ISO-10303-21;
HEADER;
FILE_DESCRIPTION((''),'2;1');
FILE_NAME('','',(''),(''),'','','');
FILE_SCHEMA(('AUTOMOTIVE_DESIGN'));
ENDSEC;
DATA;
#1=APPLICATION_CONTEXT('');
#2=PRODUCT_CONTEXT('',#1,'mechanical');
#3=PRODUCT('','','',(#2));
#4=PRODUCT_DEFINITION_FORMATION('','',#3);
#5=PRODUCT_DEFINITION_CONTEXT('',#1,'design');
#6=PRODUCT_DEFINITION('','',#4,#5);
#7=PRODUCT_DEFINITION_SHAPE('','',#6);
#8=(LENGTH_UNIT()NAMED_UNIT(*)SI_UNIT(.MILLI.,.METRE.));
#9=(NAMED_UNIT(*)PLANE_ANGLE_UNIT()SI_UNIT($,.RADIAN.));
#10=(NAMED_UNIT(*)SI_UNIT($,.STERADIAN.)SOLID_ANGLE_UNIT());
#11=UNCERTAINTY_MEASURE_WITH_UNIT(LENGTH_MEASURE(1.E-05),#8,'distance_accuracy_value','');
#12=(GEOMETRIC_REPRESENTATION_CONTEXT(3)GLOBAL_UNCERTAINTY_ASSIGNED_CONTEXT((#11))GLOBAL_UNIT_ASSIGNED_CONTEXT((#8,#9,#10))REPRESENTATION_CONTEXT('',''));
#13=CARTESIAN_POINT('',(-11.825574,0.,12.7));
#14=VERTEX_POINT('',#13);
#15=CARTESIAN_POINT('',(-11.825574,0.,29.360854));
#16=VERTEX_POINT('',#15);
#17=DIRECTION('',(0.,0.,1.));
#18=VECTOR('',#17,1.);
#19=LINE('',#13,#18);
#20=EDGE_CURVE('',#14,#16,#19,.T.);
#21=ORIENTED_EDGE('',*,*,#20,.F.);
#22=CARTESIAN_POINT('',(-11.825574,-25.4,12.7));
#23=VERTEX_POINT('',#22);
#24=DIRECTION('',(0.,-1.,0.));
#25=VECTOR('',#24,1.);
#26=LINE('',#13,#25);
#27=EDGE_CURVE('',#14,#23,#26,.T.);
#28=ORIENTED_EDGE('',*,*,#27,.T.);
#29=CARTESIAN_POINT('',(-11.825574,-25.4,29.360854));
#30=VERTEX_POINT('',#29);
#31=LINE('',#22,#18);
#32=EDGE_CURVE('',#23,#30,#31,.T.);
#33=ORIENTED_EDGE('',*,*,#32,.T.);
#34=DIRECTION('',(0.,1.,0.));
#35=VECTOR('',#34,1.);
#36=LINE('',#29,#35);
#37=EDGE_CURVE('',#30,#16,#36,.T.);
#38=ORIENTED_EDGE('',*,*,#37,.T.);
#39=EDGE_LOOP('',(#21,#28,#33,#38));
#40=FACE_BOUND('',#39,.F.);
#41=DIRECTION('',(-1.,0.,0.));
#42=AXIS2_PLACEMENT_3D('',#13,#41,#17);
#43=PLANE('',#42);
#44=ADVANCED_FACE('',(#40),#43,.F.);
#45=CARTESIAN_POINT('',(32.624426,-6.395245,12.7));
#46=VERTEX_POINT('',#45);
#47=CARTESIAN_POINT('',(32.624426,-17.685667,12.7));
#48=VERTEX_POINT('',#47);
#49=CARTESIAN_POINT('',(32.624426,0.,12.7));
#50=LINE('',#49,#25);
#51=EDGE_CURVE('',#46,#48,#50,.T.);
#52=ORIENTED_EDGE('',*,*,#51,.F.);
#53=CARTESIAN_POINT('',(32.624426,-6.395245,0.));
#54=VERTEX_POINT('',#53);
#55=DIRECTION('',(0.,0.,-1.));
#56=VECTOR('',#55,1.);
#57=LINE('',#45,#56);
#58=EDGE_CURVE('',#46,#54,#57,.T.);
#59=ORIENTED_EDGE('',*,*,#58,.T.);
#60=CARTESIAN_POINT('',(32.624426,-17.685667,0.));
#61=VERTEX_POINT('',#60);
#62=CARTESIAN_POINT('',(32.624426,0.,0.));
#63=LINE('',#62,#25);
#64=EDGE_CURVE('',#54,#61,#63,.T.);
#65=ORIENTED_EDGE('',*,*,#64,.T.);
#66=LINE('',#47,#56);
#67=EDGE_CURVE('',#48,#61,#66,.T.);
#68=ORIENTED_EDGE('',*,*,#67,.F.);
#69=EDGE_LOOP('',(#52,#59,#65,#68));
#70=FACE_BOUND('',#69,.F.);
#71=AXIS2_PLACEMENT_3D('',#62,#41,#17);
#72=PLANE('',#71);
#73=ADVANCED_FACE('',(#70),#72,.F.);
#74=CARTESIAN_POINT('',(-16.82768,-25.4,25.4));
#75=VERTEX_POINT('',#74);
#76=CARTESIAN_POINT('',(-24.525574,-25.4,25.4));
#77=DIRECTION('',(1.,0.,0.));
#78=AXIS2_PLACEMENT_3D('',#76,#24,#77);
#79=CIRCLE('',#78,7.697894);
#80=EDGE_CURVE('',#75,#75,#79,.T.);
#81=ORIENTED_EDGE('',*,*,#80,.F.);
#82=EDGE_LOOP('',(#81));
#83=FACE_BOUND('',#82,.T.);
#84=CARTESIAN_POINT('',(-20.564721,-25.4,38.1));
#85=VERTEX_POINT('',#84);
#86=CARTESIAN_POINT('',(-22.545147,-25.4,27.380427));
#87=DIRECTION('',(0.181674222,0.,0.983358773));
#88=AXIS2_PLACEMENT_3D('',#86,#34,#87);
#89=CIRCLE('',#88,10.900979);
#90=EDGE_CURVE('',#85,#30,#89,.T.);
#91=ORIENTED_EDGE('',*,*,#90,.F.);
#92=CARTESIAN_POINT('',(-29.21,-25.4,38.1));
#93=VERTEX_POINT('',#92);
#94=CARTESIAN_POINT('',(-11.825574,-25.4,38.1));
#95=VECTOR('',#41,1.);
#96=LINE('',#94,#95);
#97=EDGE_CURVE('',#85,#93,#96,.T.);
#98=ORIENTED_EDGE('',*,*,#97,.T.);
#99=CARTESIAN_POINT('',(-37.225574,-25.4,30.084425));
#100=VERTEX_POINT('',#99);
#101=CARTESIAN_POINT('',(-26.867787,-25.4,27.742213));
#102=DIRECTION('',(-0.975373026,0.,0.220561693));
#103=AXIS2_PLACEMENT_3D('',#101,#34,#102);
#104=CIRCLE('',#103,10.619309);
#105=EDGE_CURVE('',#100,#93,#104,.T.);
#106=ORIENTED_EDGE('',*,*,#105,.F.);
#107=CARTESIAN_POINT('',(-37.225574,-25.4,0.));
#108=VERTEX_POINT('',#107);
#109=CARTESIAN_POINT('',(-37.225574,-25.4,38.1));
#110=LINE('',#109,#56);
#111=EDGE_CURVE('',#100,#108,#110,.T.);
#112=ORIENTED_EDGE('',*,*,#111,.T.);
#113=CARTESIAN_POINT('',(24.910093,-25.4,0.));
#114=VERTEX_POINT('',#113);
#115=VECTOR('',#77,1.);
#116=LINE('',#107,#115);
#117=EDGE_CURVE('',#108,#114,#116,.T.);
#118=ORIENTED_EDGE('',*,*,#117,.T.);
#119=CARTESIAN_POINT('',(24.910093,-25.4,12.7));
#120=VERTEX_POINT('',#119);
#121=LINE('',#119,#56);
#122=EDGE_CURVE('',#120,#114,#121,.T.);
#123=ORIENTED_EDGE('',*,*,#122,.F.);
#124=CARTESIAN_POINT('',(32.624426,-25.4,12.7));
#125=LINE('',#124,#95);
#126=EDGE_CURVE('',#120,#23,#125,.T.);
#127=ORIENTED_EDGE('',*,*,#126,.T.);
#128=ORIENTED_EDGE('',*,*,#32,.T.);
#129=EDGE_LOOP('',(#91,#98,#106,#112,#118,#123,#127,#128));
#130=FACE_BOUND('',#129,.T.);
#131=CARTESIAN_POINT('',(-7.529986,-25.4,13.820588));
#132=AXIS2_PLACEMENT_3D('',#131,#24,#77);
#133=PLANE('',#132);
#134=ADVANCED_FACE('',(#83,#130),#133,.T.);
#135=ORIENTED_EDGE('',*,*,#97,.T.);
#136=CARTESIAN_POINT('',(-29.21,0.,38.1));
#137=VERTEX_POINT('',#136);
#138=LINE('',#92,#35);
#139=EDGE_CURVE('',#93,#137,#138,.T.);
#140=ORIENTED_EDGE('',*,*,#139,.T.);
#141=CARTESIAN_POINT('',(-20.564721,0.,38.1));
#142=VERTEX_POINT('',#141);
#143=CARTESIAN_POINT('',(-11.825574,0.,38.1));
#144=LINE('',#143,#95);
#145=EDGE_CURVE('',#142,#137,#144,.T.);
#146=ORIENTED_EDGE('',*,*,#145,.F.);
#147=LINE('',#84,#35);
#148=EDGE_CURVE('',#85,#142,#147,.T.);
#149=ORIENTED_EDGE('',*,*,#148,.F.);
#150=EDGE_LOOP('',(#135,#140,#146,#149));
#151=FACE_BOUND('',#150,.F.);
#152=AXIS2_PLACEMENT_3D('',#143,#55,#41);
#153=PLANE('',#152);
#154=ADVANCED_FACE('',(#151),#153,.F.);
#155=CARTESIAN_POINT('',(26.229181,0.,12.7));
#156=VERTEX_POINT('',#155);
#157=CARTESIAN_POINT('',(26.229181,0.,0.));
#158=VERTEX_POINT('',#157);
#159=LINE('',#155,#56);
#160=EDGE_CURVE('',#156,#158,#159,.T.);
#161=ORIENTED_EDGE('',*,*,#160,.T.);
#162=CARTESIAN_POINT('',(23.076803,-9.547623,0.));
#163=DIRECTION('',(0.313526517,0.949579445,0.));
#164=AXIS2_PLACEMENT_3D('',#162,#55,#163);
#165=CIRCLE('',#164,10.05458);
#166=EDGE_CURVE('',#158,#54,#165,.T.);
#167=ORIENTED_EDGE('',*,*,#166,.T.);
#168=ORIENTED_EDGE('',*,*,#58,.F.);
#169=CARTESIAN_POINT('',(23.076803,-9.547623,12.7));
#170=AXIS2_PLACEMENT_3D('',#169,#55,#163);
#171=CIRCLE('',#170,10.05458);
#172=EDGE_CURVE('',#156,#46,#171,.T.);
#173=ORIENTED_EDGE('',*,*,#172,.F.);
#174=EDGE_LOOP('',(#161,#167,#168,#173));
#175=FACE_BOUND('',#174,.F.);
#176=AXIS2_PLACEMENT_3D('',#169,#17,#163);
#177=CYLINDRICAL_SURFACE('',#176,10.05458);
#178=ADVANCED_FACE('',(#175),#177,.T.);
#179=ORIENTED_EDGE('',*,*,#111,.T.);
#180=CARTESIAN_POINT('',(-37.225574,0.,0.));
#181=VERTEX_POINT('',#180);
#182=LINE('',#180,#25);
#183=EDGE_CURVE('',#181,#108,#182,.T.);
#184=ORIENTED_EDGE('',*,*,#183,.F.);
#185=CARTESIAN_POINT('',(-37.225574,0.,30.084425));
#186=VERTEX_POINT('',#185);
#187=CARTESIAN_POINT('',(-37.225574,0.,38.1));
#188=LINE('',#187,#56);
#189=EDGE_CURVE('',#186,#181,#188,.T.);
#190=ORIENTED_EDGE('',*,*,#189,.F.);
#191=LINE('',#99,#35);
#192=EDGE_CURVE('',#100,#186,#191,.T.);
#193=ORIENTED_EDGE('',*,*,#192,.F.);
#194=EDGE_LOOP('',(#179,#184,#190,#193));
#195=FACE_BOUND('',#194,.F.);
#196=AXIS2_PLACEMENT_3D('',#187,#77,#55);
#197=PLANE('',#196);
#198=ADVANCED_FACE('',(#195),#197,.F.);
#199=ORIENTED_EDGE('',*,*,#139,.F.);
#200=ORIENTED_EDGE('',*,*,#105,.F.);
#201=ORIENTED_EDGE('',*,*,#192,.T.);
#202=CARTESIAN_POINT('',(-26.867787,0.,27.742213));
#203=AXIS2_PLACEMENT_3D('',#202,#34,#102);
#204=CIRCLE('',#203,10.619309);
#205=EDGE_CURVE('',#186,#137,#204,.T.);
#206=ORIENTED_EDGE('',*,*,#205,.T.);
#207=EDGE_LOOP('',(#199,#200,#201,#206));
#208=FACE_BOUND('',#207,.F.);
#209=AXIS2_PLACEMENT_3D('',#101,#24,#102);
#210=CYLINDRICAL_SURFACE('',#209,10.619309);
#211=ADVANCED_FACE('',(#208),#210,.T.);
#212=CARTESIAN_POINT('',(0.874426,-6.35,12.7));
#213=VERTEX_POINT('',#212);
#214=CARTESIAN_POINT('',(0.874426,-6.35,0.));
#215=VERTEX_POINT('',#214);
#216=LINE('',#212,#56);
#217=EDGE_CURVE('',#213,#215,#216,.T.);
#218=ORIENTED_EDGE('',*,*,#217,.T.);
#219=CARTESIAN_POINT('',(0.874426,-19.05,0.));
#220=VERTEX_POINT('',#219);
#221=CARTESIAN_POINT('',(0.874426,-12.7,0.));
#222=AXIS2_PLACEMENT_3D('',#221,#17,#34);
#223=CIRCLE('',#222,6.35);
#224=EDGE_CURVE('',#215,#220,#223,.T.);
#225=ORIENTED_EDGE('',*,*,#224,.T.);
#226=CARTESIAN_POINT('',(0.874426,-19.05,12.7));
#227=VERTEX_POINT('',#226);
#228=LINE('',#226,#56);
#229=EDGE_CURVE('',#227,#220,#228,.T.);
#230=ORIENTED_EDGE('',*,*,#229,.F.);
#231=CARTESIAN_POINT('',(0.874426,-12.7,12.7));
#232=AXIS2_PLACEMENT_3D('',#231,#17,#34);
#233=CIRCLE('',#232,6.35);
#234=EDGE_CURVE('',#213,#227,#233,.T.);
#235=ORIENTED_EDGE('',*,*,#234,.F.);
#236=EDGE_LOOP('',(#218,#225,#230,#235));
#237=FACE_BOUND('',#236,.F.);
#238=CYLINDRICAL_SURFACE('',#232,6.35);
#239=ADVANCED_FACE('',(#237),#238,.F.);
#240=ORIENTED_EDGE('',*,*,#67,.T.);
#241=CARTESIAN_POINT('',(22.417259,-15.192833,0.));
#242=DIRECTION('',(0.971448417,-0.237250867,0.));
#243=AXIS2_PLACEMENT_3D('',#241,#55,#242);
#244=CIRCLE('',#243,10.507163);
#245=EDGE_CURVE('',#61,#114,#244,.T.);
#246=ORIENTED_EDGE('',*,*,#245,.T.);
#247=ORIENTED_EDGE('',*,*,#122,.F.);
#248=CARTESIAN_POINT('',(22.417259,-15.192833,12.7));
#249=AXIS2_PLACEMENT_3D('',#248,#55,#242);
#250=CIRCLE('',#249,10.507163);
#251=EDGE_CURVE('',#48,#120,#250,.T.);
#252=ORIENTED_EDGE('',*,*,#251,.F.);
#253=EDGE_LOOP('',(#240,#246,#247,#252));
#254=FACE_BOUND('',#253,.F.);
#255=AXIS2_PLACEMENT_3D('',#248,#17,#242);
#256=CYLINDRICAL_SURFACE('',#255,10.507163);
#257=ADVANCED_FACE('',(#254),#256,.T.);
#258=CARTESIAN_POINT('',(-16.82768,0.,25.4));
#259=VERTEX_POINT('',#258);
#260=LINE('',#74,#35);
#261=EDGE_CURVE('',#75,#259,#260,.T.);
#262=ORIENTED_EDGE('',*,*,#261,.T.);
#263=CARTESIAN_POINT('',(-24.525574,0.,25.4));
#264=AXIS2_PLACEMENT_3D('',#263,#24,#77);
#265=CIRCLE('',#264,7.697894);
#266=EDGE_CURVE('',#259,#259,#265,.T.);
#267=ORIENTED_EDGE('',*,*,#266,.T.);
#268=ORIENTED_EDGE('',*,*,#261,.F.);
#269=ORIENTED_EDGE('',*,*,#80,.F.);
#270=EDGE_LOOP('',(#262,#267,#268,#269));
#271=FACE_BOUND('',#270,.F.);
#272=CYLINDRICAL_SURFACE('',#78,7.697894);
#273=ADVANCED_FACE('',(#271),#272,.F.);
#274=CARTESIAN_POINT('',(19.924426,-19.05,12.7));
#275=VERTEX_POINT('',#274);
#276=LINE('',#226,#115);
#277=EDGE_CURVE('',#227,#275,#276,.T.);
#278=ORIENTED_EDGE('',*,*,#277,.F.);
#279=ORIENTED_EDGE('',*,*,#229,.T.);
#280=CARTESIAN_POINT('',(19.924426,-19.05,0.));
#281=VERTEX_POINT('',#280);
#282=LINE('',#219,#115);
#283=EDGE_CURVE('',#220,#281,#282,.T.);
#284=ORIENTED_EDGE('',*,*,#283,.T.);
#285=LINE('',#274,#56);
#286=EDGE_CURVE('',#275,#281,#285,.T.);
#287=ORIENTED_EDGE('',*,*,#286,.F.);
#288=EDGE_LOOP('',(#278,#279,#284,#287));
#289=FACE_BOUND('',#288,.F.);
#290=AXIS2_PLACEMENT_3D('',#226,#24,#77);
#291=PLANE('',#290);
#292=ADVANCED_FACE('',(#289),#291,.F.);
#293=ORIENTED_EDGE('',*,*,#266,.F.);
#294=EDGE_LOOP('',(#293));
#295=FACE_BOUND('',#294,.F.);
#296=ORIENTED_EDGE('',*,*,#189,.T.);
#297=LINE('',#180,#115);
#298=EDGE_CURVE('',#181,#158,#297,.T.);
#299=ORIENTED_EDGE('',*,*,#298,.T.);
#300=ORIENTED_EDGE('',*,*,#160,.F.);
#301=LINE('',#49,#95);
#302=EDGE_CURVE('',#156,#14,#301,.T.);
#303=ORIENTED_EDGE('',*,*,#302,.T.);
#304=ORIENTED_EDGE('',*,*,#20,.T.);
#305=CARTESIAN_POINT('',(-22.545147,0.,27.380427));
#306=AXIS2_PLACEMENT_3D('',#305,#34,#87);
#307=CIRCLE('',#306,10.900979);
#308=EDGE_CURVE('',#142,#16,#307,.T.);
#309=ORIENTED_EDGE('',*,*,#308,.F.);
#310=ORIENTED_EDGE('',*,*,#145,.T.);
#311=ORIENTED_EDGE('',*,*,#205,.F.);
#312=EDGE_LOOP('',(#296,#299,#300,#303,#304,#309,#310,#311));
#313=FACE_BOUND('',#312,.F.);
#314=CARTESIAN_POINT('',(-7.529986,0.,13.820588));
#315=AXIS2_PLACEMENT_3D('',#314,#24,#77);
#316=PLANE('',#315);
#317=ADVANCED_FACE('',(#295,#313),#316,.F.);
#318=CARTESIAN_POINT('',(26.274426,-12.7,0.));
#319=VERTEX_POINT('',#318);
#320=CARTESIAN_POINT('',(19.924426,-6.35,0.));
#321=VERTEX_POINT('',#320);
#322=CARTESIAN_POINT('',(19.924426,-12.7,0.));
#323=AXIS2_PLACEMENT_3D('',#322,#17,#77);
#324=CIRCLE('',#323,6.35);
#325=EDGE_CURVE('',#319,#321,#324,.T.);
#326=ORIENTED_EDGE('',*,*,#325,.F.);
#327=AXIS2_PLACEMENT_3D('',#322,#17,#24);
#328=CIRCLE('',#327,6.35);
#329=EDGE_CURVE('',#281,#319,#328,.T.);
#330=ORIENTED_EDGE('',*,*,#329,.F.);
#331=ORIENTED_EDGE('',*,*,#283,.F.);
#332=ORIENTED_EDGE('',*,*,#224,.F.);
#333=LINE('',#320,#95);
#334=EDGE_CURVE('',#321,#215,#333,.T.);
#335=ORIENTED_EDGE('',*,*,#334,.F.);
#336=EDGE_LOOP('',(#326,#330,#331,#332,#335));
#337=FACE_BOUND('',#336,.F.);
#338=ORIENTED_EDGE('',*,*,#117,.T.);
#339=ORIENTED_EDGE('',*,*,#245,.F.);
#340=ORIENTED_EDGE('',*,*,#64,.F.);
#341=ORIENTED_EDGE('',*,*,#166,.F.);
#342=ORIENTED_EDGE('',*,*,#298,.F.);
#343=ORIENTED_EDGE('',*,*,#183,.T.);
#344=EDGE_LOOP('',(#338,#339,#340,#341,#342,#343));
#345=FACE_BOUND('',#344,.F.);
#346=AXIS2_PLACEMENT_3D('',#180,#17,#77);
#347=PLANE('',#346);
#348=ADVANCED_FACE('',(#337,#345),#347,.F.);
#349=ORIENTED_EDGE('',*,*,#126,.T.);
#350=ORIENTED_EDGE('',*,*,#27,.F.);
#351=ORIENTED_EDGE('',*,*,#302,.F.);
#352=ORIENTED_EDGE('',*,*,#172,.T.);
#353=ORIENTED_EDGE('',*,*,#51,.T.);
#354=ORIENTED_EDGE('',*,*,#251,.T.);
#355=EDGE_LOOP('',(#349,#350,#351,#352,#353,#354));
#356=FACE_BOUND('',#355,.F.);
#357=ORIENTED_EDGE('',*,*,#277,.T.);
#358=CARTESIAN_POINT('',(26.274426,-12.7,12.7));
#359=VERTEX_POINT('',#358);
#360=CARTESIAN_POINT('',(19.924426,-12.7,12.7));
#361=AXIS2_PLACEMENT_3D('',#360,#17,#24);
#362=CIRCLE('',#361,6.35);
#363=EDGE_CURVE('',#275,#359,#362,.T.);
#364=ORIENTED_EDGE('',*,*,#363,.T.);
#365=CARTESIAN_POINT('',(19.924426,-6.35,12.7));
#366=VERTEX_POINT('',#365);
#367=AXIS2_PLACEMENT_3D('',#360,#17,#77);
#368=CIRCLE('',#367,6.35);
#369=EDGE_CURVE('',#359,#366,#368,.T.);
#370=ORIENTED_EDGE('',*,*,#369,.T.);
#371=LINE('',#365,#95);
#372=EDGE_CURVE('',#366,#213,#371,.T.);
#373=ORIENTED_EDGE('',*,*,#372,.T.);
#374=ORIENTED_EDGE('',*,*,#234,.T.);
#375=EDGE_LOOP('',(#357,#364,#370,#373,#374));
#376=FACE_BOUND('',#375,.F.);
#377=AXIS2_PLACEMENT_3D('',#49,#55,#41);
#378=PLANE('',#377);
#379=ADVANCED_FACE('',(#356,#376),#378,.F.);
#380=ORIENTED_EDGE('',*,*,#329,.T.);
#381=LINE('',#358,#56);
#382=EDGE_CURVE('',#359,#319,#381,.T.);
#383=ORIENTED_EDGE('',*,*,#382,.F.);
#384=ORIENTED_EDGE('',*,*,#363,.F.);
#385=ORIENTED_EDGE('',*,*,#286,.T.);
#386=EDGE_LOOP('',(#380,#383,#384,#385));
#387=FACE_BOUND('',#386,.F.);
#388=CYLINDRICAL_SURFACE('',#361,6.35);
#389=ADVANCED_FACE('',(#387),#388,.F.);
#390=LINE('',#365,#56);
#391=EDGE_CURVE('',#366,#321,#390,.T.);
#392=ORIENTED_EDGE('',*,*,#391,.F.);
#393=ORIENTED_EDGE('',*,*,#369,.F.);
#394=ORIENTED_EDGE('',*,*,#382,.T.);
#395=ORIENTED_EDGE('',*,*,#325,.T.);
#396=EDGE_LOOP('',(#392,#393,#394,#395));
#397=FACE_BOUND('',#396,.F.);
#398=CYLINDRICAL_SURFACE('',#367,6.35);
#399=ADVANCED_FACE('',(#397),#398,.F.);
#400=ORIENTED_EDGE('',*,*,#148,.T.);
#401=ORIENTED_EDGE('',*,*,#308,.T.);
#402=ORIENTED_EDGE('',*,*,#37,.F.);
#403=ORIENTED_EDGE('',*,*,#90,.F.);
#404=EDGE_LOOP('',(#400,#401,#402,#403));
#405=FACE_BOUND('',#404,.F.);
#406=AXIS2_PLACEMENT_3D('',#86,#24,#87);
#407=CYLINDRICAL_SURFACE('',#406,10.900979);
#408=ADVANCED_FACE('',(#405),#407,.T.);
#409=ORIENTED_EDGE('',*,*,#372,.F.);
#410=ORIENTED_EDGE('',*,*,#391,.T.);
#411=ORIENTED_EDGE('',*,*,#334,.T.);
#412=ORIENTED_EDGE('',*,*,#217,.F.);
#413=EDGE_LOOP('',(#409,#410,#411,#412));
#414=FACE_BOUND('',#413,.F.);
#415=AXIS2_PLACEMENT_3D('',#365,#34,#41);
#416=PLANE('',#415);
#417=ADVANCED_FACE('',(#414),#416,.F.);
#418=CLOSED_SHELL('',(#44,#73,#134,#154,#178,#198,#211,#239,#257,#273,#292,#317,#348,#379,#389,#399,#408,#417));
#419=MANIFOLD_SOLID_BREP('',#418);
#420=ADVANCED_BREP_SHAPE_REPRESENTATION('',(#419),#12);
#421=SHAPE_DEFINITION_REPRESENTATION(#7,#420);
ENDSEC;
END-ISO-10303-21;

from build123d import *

# Parameters (mm, degrees)
F1_DEPTH = 25.4
F2_R     = 7.6978943935
F3_DEPTH = 25.4
F5_DEPTH = 25.4
F7_DEPTH = 12.7
F9_DEPTH = 12.7


with BuildPart() as f1:
    # F0 (on Front) → F1 (new body)
    with BuildSketch(Plane.XZ):
        Polygon((-11.8255742339, 38.1), (-37.2255742339, 38.1), (-37.2255742339, 0), (32.6244257661, 0), (32.6244257661, 12.7), (-11.8255742339, 12.7), align=None)
    extrude(amount=F1_DEPTH)

    # F2 (on face) → F3 (cut)
    with BuildSketch(Plane.XZ.offset(25.4)):
        with Locations((-24.5255742339, 25.4)):
            Circle(F2_R)
    extrude(amount=-F3_DEPTH, mode=Mode.SUBTRACT)

    # F4 (on face) → F5 (cut)
    with BuildSketch(Plane.XZ.offset(25.4)):
        with BuildLine():
            ThreePointArc((-37.2255742339, 30.0844254155), (-34.376772158, 35.2511979241), (-29.2099996494, 38.1))
            Line((-29.2099996494, 38.1), (-37.2255742339, 38.1))
            Line((-37.2255742339, 38.1), (-37.2255742339, 30.0844254155))
        make_face()
        with BuildLine():
            Line((-11.8255742339, 38.1), (-20.5647205525, 38.1))
            ThreePointArc((-20.5647205525, 38.1), (-14.8369913494, 35.0885828844), (-11.8255742339, 29.3608536814))
            Line((-11.8255742339, 29.3608536814), (-11.8255742339, 38.1))
        make_face()
    extrude(amount=-F5_DEPTH, mode=Mode.SUBTRACT)

    # F6 (on face) → F7 (cut)
    with BuildSketch(Plane.XY.offset(12.7)):
        with BuildLine():
            ThreePointArc((26.2744257661, -12.7), (24.4145538267, -8.2098719395), (19.9244257661, -6.35))
            ThreePointArc((19.9244257661, -6.35), (13.5744257661, -12.7), (19.9244257661, -19.05))
            ThreePointArc((19.9244257661, -19.05), (24.4145538267, -17.1901280605), (26.2744257661, -12.7))
        make_face()
        with BuildLine():
            ThreePointArc((0.8744257661, -6.35), (5.3645538267, -8.2098719395), (7.2244257661, -12.7))
            ThreePointArc((7.2244257661, -12.7), (5.3645538267, -17.1901280605), (0.8744257661, -19.05))
            Line((0.8744257661, -19.05), (19.9244257661, -19.05))
            ThreePointArc((19.9244257661, -19.05), (13.5744257661, -12.7), (19.9244257661, -6.35))
            Line((19.9244257661, -6.35), (0.8744257661, -6.35))
        make_face()
        with BuildLine():
            ThreePointArc((0.8744257661, -19.05), (5.3645538267, -17.1901280605), (7.2244257661, -12.7))
            ThreePointArc((7.2244257661, -12.7), (5.3645538267, -8.2098719395), (0.8744257661, -6.35))
            ThreePointArc((0.8744257661, -6.35), (-5.4755742339, -12.7), (0.8744257661, -19.05))
        make_face()
    extrude(amount=-F7_DEPTH, mode=Mode.SUBTRACT)

    # F8 (on face) → F9 (cut)
    with BuildSketch(Plane.XY.offset(12.7)):
        with BuildLine():
            ThreePointArc((26.2291806882, 0), (30.1864649562, -2.4379608099), (32.6244257661, -6.3952450779))
            Line((32.6244257661, -6.3952450779), (32.6244257661, 0))
            Line((32.6244257661, 0), (26.2291806882, 0))
        make_face()
        with BuildLine():
            Line((32.6244257661, -25.4), (32.6244257661, -17.6856669089))
            ThreePointArc((32.6244257661, -17.6856669089), (29.8469452005, -22.6225194344), (24.910092675, -25.4))
            Line((24.910092675, -25.4), (32.6244257661, -25.4))
        make_face()
    extrude(amount=-F9_DEPTH, mode=Mode.SUBTRACT)


solid = f1.part
